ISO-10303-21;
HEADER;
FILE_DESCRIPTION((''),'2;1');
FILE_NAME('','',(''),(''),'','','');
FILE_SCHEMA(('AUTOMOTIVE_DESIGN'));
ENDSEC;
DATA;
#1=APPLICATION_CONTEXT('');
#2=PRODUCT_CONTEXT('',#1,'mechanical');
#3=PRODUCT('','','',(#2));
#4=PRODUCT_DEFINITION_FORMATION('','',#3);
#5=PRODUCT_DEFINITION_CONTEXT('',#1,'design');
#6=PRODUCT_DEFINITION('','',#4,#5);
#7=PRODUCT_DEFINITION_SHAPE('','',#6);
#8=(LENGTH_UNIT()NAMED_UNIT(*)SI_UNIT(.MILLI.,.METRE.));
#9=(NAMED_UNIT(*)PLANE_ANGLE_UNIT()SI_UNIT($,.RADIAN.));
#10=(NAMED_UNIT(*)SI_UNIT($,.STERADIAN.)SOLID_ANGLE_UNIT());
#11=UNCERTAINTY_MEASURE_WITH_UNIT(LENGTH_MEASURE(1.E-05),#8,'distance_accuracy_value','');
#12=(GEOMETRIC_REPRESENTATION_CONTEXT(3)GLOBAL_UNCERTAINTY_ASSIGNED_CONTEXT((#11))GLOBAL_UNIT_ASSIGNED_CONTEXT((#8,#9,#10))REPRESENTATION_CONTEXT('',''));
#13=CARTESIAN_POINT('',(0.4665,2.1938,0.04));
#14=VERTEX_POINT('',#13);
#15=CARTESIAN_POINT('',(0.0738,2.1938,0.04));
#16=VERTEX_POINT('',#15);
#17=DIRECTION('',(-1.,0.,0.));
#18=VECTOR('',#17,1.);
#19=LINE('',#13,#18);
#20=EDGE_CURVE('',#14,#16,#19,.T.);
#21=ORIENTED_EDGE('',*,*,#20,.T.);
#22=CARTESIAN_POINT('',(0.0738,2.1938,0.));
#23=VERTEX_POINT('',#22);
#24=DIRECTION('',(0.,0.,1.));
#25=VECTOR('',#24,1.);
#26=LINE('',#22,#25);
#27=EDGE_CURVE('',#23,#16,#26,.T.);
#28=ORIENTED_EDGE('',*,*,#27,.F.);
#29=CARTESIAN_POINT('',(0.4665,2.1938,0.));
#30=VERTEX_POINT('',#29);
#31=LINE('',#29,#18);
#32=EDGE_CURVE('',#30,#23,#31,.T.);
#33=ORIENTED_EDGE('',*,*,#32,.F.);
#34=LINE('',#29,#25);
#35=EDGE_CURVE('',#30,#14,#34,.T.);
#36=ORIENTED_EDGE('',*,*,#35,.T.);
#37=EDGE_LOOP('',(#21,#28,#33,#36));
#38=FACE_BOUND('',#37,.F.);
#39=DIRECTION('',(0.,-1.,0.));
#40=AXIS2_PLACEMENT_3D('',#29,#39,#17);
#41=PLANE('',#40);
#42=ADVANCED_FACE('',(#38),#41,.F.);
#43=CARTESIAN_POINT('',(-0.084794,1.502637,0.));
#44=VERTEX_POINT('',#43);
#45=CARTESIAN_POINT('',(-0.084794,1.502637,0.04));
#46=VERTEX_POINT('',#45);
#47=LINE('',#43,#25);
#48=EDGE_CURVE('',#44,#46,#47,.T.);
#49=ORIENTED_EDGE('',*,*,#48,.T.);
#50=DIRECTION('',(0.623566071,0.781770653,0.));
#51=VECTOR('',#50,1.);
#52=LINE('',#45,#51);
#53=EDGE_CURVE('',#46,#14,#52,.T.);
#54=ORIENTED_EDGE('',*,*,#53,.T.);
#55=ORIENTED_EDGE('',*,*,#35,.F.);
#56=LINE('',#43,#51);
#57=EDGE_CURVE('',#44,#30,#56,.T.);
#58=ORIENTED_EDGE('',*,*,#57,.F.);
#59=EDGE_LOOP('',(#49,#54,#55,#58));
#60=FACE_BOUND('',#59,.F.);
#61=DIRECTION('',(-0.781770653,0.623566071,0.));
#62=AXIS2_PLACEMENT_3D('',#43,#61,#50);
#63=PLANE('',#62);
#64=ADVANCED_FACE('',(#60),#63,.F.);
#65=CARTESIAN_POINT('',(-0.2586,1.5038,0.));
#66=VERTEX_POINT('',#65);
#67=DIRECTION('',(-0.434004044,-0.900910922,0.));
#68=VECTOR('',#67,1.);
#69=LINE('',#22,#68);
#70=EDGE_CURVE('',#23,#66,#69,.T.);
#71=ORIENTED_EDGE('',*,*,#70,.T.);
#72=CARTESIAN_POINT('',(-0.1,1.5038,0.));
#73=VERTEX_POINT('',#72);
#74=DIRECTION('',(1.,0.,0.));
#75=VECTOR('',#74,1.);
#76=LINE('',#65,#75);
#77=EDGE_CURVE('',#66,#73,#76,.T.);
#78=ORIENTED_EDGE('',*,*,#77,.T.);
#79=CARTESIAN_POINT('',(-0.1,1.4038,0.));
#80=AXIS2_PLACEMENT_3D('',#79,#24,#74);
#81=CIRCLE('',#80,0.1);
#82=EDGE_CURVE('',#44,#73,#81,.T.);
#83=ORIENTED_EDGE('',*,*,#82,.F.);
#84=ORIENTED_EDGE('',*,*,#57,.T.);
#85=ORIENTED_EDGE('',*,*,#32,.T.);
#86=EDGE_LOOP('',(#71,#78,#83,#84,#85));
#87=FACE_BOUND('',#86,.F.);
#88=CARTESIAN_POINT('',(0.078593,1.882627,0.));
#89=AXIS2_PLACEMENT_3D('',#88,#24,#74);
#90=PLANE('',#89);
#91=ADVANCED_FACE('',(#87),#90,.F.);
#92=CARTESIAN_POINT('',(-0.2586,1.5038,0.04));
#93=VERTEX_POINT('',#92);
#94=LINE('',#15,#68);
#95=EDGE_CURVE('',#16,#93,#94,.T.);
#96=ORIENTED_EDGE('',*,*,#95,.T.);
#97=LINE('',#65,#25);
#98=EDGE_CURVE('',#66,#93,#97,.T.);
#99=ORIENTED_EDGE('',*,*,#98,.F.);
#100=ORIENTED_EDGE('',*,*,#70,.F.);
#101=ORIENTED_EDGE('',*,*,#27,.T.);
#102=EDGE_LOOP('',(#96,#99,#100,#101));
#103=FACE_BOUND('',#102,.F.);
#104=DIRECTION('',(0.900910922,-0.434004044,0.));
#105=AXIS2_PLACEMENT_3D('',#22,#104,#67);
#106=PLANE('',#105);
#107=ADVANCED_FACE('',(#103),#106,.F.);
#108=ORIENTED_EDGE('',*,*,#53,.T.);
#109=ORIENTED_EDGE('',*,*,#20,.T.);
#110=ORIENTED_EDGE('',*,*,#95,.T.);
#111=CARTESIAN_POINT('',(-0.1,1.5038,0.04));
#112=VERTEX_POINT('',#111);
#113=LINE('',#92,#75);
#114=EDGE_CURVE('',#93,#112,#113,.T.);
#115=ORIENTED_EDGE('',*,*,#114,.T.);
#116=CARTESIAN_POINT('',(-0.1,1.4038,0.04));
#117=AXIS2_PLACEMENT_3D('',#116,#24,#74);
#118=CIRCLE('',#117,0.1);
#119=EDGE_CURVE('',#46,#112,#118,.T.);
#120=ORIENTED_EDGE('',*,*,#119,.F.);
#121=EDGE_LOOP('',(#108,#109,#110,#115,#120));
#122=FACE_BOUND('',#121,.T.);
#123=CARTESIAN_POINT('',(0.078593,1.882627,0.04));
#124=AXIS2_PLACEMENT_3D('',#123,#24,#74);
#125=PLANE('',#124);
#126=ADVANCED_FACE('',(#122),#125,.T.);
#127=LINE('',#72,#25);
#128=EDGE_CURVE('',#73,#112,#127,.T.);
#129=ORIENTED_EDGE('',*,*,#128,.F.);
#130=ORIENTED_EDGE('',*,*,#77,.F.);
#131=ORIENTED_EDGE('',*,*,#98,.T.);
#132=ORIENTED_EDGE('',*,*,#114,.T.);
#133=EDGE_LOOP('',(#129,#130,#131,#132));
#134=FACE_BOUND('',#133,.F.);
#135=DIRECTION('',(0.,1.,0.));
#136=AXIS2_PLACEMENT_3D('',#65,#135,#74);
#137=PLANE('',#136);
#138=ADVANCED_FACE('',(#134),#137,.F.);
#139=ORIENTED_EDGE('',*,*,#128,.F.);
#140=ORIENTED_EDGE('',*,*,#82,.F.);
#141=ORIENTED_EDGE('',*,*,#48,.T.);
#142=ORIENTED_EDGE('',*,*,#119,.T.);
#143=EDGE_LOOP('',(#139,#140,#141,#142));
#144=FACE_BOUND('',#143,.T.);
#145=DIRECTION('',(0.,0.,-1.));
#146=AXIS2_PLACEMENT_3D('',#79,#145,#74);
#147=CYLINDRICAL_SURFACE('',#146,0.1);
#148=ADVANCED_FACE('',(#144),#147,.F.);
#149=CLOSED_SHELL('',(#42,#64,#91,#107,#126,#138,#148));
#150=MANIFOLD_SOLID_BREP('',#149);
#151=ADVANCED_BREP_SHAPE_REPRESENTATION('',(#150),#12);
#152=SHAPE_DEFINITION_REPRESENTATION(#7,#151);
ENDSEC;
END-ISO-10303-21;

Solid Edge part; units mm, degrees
sketch "Sketch1" plane through (0, 0, 0) normal (0, 0, 1) x (1, 0, 0)
  line L0 (-0.0848, 1.5026) -> (0.4665, 2.1938)
  line L1 (0.4665, 2.1938) -> (0.0738, 2.1938)
  line L2 (0.0738, 2.1938) -> (-0.2586, 1.5038)
  line L3 (-0.2586, 1.5038) -> (-0.1, 1.5038)
  arc A0 (-0.0848, 1.5026) -> (-0.1, 1.5038) centre (-0.1, 1.4038) ccw
extrude "Protrusion1" add sketch "Sketch1" along normal blind 0.04
